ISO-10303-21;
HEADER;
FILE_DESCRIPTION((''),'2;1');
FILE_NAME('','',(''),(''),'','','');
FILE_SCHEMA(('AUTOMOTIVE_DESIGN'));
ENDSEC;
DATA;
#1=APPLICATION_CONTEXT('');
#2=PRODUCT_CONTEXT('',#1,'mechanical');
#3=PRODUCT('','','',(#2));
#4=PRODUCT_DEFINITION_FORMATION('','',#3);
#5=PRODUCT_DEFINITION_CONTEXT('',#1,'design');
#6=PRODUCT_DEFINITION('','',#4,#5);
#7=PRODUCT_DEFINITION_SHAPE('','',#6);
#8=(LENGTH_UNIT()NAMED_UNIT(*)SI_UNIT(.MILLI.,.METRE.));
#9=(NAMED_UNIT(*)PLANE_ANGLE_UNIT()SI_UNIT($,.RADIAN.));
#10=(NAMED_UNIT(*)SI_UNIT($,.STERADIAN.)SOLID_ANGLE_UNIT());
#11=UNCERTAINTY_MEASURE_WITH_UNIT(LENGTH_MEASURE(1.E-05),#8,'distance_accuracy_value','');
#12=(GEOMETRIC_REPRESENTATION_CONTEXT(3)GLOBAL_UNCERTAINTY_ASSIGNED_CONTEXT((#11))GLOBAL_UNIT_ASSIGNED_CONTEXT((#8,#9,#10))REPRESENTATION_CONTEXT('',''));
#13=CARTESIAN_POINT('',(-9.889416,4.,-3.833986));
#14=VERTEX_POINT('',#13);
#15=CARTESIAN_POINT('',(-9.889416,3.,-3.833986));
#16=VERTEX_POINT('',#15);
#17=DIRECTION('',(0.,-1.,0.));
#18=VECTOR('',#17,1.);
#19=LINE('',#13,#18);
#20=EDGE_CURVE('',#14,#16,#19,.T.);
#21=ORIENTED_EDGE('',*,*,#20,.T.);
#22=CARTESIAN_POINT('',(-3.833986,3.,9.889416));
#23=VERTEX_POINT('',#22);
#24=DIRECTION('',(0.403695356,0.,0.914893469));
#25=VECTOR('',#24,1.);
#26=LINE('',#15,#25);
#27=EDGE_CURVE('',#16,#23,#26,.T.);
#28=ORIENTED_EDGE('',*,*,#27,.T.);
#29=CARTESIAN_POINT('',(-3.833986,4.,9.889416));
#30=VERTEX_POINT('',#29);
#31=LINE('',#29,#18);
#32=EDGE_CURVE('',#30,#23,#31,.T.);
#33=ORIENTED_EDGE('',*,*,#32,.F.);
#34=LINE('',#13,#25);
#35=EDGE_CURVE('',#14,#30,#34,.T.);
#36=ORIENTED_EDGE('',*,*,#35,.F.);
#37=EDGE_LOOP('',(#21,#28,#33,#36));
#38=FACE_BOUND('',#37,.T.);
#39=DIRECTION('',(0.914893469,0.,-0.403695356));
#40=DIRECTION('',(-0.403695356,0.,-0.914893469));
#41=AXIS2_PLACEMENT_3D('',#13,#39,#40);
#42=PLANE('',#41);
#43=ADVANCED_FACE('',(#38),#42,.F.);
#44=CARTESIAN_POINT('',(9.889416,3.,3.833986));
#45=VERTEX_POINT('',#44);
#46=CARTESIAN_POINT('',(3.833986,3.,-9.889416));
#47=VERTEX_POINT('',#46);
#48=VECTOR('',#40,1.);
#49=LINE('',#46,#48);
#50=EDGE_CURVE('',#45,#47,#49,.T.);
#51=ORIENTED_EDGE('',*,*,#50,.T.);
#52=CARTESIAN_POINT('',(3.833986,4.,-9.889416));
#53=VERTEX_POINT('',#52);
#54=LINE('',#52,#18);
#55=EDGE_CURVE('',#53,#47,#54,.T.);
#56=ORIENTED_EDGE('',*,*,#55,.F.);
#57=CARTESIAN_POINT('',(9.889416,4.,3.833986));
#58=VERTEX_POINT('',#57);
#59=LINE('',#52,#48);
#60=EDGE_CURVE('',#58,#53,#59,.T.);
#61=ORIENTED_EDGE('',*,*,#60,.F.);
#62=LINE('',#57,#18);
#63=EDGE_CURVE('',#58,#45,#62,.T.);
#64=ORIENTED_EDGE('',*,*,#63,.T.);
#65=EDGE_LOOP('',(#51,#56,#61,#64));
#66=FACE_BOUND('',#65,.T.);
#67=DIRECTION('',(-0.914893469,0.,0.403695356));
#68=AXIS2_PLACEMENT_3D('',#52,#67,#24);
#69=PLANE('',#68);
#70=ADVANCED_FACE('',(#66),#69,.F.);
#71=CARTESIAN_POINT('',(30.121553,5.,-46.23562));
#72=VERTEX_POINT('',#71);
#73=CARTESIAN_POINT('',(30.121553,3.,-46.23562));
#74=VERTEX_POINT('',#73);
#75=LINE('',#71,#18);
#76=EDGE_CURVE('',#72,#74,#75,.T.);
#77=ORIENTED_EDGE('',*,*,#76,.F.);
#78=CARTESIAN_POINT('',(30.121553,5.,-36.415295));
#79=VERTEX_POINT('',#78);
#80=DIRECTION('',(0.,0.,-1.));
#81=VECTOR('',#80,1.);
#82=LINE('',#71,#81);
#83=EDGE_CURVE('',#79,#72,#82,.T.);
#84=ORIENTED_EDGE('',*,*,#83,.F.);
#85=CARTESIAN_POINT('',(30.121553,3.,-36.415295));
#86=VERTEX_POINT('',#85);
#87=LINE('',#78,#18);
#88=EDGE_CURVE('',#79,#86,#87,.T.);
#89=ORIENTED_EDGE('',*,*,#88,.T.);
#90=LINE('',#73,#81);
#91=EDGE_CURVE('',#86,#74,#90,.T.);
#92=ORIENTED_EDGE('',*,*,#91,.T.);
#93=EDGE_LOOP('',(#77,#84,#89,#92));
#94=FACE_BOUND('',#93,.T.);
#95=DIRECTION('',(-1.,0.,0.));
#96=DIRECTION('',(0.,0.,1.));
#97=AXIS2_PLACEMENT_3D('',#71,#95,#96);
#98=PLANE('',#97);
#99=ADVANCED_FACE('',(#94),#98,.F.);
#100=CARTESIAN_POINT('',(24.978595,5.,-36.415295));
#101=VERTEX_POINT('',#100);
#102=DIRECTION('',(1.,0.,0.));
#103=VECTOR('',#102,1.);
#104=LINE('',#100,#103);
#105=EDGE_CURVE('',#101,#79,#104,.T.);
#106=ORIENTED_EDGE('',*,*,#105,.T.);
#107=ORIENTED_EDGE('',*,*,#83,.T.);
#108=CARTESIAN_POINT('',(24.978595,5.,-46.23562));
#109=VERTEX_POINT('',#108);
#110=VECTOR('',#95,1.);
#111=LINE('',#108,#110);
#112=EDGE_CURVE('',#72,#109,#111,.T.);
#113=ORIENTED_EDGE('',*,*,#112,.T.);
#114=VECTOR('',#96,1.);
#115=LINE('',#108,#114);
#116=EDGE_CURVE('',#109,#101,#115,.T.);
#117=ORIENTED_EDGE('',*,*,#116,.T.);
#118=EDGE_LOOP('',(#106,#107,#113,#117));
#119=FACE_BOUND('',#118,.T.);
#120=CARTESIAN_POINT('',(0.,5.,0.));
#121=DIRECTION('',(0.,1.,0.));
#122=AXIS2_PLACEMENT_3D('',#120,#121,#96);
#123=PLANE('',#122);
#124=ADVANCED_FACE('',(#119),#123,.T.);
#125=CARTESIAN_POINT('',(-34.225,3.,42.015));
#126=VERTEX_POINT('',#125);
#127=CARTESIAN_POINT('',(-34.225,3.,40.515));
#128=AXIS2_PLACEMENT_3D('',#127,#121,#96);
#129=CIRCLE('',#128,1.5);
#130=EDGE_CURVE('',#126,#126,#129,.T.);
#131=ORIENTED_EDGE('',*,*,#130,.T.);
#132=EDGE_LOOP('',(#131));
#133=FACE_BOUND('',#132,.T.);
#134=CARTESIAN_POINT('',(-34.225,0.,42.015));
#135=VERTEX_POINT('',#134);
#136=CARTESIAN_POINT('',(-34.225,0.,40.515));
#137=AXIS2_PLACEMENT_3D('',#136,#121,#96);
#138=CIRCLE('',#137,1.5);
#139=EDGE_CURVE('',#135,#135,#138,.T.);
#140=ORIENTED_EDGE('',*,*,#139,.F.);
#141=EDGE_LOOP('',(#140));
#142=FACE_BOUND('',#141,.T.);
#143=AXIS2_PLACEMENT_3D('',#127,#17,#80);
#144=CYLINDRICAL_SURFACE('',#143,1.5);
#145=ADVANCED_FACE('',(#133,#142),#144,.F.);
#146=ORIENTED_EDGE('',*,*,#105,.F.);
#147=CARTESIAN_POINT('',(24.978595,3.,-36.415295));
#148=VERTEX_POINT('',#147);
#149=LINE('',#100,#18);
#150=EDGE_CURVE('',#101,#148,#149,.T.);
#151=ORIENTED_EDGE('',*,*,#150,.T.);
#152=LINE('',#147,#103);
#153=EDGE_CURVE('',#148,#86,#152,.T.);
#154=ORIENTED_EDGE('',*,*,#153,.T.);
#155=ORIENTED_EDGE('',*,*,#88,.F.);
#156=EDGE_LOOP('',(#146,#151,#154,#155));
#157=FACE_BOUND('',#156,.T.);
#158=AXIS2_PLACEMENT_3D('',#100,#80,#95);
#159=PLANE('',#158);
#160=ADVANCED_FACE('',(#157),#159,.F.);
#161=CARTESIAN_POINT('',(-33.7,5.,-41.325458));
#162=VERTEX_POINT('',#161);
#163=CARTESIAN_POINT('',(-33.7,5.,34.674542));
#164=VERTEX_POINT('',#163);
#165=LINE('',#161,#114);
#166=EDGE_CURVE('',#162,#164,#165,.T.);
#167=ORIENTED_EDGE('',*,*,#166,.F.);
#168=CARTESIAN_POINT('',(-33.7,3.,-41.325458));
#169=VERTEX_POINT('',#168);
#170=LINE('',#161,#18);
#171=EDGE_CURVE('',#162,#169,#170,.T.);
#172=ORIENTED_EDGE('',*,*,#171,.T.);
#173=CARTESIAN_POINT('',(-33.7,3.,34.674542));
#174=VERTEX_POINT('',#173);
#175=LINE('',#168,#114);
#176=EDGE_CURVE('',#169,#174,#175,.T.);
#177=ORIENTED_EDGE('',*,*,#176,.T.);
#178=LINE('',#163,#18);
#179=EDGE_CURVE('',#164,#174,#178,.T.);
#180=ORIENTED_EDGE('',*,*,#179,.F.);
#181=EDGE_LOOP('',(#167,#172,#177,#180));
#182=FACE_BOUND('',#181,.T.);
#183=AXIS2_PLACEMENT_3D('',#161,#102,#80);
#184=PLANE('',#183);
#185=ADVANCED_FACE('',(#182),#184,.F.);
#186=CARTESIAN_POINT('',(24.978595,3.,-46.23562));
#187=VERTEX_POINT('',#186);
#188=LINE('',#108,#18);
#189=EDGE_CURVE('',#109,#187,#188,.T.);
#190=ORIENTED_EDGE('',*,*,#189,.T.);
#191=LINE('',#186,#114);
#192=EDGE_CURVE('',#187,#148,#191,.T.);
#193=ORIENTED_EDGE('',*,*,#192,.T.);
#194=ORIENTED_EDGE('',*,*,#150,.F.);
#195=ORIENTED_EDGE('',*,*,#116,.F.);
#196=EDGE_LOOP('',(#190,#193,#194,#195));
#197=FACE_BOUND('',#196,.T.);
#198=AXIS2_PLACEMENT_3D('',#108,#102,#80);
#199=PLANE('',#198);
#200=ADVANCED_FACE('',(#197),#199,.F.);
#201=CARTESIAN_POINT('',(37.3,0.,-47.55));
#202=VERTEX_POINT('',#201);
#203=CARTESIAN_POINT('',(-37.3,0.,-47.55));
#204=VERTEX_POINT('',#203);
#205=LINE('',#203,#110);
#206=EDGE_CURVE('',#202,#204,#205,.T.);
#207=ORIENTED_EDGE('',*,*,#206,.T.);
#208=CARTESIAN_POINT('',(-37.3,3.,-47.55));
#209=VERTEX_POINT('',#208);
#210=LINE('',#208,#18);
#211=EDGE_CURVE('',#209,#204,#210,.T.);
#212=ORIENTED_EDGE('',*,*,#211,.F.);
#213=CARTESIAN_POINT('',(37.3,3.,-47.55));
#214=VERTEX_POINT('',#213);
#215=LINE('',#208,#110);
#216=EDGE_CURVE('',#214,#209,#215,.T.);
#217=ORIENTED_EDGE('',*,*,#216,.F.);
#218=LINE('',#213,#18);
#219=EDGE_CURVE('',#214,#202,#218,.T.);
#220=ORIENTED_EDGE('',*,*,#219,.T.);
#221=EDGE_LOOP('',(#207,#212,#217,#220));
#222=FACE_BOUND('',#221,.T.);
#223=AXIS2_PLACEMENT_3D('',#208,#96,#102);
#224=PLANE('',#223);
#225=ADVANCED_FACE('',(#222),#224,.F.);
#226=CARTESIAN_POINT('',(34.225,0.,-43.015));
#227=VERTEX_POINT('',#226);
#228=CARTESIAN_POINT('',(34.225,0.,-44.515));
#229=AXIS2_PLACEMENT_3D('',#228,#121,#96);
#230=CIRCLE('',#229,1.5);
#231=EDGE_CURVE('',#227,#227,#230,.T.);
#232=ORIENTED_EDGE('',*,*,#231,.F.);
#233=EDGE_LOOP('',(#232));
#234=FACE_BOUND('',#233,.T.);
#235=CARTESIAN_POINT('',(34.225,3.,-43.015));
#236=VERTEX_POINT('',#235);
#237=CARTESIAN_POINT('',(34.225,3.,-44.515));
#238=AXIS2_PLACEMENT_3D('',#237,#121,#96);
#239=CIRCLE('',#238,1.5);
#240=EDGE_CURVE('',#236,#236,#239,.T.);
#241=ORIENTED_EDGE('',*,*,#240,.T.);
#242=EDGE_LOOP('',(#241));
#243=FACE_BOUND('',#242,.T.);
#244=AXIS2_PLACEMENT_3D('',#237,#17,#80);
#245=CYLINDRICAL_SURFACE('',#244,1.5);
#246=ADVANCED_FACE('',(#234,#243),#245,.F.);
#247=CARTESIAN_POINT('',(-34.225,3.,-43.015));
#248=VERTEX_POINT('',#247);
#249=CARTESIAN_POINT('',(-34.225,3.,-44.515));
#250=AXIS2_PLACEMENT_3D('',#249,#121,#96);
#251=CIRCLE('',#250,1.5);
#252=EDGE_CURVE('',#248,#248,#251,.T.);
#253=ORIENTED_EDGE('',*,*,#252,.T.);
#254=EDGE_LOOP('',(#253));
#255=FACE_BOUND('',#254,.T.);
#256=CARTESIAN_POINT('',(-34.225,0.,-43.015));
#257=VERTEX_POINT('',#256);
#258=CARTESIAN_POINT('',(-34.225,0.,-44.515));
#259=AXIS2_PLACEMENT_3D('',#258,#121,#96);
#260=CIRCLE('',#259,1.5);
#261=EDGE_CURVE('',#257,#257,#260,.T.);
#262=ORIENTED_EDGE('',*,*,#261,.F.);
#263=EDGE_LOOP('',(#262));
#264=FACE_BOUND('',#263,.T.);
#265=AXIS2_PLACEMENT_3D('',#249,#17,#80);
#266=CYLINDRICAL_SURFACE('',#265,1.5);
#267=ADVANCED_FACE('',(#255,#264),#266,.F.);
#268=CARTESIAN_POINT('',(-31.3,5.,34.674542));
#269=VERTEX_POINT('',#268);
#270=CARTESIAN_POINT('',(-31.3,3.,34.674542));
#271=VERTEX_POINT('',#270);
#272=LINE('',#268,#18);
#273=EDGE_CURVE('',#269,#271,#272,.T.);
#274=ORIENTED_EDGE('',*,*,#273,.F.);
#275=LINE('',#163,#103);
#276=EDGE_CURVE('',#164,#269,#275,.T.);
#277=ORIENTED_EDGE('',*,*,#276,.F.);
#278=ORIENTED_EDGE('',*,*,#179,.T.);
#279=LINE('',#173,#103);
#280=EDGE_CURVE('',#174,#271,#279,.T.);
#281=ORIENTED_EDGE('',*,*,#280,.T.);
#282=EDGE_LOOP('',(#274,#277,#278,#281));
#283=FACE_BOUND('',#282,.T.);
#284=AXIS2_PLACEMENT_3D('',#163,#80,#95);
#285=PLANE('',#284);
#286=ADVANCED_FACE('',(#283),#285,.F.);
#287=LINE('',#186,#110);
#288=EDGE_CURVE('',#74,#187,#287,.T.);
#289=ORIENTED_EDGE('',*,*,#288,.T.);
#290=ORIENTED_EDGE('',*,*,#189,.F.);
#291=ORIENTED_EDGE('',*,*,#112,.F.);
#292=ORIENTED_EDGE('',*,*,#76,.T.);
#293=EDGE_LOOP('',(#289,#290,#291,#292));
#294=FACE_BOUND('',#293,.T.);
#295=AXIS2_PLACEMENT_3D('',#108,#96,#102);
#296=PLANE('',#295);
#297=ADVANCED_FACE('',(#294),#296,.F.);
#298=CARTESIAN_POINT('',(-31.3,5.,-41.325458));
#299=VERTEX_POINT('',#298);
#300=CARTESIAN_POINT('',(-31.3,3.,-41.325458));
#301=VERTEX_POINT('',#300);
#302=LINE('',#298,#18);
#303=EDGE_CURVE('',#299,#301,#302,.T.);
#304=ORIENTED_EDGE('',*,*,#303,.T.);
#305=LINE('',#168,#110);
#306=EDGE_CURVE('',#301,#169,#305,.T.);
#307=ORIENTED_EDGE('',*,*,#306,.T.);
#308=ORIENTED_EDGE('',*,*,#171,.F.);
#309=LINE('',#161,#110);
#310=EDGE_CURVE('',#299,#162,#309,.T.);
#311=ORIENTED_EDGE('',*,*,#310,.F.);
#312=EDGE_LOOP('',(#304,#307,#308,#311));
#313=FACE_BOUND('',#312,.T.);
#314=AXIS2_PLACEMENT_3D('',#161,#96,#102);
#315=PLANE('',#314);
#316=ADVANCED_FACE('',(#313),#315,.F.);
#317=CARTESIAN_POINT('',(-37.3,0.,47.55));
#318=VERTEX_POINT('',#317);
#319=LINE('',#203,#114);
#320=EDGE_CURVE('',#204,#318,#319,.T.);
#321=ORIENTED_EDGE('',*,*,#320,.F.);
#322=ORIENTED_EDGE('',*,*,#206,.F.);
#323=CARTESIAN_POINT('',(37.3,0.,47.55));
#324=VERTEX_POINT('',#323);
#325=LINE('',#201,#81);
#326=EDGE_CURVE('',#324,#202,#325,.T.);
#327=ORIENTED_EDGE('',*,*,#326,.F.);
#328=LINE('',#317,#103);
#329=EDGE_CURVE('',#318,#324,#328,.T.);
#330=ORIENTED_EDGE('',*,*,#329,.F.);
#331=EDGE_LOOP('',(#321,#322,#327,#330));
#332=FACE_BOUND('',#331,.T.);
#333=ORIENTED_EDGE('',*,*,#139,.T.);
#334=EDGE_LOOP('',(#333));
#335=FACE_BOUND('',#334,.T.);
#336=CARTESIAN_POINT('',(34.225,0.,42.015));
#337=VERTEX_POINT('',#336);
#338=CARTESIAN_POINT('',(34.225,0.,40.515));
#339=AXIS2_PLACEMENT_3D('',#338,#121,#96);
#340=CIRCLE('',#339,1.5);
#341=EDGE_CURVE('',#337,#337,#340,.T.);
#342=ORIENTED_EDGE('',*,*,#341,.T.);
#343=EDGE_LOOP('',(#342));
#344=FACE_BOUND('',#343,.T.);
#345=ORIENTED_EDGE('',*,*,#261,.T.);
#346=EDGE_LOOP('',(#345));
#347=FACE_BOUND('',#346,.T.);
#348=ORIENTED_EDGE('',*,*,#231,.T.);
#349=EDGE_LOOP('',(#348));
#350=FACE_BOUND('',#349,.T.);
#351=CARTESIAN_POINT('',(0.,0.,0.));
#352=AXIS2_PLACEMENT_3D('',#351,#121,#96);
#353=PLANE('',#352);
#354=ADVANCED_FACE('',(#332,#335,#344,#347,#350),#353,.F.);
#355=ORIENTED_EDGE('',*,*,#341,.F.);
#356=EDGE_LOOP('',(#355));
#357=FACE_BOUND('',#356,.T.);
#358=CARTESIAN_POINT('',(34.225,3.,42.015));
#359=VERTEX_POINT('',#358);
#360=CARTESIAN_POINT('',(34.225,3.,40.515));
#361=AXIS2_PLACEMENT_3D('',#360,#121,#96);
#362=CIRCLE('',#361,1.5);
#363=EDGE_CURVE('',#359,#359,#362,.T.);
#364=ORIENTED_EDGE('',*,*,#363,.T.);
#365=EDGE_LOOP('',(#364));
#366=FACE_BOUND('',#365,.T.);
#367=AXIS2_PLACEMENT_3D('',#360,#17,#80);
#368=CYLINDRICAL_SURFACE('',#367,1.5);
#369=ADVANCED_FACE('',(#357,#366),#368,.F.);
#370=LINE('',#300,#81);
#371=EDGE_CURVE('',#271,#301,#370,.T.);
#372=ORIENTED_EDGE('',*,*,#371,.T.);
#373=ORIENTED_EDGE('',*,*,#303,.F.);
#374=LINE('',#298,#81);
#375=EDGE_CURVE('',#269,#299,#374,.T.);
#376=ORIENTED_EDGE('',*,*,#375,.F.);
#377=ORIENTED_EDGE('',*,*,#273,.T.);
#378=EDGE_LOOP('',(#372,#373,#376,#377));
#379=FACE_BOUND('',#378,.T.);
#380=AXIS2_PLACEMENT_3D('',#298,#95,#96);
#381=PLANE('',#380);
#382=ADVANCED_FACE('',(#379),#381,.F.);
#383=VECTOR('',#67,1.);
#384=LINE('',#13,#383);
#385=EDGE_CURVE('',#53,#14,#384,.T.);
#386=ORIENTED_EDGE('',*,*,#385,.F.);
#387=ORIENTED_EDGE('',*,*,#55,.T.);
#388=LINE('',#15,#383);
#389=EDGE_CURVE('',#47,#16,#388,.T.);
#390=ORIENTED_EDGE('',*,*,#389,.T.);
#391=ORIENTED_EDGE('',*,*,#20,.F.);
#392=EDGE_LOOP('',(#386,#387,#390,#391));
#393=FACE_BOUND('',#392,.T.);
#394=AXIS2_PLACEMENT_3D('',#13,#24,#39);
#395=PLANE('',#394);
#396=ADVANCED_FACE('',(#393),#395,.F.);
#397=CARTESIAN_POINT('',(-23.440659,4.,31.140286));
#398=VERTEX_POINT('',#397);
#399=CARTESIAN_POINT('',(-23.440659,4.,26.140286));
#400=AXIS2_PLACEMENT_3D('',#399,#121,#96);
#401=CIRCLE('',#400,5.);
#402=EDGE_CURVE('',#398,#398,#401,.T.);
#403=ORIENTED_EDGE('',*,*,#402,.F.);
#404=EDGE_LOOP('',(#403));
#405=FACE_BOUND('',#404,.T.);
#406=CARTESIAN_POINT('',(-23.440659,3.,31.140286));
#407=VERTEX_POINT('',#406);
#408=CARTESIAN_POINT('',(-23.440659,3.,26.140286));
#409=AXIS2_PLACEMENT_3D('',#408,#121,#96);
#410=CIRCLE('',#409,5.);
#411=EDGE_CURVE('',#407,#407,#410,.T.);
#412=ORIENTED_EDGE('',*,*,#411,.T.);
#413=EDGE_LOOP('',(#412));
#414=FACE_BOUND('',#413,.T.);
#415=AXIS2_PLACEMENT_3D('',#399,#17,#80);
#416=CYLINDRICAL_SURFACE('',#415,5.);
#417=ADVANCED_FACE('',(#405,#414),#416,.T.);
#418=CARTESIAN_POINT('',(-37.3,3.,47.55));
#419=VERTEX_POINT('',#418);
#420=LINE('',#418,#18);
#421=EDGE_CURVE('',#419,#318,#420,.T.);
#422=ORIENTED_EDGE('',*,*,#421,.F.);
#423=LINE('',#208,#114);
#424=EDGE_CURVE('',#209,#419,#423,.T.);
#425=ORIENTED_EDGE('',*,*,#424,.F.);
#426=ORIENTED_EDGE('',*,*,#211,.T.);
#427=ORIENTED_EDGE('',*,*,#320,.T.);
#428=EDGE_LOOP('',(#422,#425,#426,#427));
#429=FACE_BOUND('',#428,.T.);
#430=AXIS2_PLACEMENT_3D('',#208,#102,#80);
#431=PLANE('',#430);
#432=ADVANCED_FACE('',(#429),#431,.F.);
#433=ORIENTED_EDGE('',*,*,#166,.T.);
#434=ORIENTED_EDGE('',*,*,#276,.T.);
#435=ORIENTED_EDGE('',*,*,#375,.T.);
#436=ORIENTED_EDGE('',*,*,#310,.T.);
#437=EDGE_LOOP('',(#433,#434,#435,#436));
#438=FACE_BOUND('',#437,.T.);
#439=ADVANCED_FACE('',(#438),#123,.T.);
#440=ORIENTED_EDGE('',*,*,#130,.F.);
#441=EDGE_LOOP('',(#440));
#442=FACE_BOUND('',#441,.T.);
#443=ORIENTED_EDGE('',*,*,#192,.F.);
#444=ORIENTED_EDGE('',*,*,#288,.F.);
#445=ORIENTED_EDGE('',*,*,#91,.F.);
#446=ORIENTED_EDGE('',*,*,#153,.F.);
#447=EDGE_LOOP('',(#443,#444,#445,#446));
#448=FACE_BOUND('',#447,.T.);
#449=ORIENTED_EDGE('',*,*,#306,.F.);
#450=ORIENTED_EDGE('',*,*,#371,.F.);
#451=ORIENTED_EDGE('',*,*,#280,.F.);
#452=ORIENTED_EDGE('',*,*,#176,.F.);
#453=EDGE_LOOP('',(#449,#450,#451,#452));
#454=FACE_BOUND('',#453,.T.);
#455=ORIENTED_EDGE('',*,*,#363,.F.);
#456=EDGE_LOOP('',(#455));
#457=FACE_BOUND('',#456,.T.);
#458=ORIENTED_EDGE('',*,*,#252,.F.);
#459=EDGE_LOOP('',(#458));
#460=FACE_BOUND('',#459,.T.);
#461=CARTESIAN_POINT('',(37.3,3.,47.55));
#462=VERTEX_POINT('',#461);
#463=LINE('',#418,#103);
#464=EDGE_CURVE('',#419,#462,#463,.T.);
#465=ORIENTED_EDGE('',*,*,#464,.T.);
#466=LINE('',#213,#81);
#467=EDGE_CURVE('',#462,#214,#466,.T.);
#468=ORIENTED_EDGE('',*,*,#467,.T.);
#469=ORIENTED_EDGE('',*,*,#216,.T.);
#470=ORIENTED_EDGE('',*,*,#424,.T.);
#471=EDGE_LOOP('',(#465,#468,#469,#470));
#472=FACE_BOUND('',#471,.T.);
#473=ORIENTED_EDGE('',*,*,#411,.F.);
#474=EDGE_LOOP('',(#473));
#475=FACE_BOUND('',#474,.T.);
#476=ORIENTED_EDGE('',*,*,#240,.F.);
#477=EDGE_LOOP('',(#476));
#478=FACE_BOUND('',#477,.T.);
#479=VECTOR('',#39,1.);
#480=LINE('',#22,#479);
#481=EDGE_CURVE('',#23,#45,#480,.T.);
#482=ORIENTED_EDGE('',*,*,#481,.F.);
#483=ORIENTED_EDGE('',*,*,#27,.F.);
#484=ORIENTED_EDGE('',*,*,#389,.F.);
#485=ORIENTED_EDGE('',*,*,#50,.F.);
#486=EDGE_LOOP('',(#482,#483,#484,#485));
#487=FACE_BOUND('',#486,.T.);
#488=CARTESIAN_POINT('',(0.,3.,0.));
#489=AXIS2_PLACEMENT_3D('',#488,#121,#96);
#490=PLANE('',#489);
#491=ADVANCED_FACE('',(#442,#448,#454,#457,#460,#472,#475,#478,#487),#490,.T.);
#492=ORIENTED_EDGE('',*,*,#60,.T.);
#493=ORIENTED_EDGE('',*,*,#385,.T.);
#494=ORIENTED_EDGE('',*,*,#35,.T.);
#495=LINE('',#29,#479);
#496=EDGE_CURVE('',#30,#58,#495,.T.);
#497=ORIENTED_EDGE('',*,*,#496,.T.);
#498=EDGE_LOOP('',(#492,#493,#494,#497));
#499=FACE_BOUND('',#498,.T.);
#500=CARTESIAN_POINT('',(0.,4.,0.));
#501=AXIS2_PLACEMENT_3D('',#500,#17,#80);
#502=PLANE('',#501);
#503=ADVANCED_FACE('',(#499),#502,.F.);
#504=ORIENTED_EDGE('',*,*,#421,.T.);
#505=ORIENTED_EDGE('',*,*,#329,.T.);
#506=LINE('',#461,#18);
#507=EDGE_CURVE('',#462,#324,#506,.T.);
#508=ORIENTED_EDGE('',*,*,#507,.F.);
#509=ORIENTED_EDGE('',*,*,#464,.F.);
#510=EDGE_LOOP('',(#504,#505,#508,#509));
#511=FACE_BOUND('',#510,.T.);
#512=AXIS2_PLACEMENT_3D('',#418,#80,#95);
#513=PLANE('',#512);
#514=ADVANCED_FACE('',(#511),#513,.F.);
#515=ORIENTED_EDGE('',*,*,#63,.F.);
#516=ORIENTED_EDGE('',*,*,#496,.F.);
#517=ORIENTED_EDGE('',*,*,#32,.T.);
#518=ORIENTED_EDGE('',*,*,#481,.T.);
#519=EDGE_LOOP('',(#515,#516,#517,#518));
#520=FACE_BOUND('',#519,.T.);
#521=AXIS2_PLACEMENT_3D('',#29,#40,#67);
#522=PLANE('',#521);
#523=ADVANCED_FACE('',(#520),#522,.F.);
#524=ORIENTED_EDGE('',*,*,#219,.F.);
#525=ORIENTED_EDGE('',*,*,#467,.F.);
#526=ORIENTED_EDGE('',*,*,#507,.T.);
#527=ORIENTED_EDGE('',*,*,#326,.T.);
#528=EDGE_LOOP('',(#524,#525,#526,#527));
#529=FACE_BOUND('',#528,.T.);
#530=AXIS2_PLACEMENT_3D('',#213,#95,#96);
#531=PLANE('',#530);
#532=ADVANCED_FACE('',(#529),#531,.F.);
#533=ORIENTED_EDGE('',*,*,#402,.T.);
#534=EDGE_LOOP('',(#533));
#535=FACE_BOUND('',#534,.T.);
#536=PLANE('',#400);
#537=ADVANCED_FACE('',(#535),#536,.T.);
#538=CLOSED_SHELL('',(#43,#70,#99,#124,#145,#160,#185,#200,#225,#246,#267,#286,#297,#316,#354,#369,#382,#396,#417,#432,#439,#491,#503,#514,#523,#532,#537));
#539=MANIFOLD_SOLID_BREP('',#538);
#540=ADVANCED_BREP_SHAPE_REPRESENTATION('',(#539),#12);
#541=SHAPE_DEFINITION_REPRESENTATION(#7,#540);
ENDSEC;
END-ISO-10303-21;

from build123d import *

# Parameters (mm, degrees)
SKETCH_1_W      = 74.6
SKETCH_1_H      = 95.1
SKETCH_1_R      = 1.5
EXTRUDE_1_DEPTH = 3
EXTRUDE_2_DEPTH = 1
SKETCH_3_R      = 5
EXTRUDE_3_DEPTH = 1
SKETCH_4_W      = 2.4
SKETCH_4_H      = 76
SKETCH_4_W_2    = 5.142957709
SKETCH_4_H_2    = 9.820324755
EXTRUDE_4_DEPTH = 2


with BuildPart() as part:
    # 草图1 → 凸台-拉伸1 (new body)
    with BuildSketch(Plane(origin=(0, 0, 0), x_dir=(1, 0, 0), z_dir=(0, 1, 0))):
        Rectangle(SKETCH_1_W, SKETCH_1_H)
        with Locations(Location((-34.225, -40.515, 0), (0, 0, 270))):
            Circle(SKETCH_1_R, mode=Mode.SUBTRACT)
        with Locations(Location((-34.225, 44.515, 0), (0, 0, 270))):
            Circle(SKETCH_1_R, mode=Mode.SUBTRACT)
        with Locations(Location((34.225, 44.515, 0), (0, 0, 270))):
            Circle(SKETCH_1_R, mode=Mode.SUBTRACT)
        with Locations(Location((34.225, -40.515, 0), (0, 0, 270))):
            Circle(SKETCH_1_R, mode=Mode.SUBTRACT)
    extrude(amount=EXTRUDE_1_DEPTH)

    # 草图2 → 凸台-拉伸2 (add)
    with BuildSketch(Plane(origin=(0, 3, 0), x_dir=(1, 0, 0), z_dir=(0, 1, 0))):
        Polygon((-9.889416187, 3.833985847), (-3.833985847, -9.889416187), (9.889416187, -3.833985847), (3.833985847, 9.889416187), align=None)
    extrude(amount=EXTRUDE_2_DEPTH)

    # 草图3 → 凸台-拉伸3 (add)
    with BuildSketch(Plane(origin=(0, 3, 0), x_dir=(1, 0, 0), z_dir=(0, 1, 0))):
        with Locations(Location((-23.440659091, -26.14028556, 0), (0, 0, 270))):
            Circle(SKETCH_3_R)
    extrude(amount=EXTRUDE_3_DEPTH)

    # 草图4 → 凸台-拉伸4 (add)
    with BuildSketch(Plane(origin=(0, 3, 0), x_dir=(1, 0, 0), z_dir=(0, 1, 0))):
        with Locations((-32.5, 3.325457596)):
            Rectangle(SKETCH_4_W, SKETCH_4_H)
        with Locations((27.55007403, 41.325457596)):
            Rectangle(SKETCH_4_W_2, SKETCH_4_H_2)
    extrude(amount=EXTRUDE_4_DEPTH)


solid = part.part
